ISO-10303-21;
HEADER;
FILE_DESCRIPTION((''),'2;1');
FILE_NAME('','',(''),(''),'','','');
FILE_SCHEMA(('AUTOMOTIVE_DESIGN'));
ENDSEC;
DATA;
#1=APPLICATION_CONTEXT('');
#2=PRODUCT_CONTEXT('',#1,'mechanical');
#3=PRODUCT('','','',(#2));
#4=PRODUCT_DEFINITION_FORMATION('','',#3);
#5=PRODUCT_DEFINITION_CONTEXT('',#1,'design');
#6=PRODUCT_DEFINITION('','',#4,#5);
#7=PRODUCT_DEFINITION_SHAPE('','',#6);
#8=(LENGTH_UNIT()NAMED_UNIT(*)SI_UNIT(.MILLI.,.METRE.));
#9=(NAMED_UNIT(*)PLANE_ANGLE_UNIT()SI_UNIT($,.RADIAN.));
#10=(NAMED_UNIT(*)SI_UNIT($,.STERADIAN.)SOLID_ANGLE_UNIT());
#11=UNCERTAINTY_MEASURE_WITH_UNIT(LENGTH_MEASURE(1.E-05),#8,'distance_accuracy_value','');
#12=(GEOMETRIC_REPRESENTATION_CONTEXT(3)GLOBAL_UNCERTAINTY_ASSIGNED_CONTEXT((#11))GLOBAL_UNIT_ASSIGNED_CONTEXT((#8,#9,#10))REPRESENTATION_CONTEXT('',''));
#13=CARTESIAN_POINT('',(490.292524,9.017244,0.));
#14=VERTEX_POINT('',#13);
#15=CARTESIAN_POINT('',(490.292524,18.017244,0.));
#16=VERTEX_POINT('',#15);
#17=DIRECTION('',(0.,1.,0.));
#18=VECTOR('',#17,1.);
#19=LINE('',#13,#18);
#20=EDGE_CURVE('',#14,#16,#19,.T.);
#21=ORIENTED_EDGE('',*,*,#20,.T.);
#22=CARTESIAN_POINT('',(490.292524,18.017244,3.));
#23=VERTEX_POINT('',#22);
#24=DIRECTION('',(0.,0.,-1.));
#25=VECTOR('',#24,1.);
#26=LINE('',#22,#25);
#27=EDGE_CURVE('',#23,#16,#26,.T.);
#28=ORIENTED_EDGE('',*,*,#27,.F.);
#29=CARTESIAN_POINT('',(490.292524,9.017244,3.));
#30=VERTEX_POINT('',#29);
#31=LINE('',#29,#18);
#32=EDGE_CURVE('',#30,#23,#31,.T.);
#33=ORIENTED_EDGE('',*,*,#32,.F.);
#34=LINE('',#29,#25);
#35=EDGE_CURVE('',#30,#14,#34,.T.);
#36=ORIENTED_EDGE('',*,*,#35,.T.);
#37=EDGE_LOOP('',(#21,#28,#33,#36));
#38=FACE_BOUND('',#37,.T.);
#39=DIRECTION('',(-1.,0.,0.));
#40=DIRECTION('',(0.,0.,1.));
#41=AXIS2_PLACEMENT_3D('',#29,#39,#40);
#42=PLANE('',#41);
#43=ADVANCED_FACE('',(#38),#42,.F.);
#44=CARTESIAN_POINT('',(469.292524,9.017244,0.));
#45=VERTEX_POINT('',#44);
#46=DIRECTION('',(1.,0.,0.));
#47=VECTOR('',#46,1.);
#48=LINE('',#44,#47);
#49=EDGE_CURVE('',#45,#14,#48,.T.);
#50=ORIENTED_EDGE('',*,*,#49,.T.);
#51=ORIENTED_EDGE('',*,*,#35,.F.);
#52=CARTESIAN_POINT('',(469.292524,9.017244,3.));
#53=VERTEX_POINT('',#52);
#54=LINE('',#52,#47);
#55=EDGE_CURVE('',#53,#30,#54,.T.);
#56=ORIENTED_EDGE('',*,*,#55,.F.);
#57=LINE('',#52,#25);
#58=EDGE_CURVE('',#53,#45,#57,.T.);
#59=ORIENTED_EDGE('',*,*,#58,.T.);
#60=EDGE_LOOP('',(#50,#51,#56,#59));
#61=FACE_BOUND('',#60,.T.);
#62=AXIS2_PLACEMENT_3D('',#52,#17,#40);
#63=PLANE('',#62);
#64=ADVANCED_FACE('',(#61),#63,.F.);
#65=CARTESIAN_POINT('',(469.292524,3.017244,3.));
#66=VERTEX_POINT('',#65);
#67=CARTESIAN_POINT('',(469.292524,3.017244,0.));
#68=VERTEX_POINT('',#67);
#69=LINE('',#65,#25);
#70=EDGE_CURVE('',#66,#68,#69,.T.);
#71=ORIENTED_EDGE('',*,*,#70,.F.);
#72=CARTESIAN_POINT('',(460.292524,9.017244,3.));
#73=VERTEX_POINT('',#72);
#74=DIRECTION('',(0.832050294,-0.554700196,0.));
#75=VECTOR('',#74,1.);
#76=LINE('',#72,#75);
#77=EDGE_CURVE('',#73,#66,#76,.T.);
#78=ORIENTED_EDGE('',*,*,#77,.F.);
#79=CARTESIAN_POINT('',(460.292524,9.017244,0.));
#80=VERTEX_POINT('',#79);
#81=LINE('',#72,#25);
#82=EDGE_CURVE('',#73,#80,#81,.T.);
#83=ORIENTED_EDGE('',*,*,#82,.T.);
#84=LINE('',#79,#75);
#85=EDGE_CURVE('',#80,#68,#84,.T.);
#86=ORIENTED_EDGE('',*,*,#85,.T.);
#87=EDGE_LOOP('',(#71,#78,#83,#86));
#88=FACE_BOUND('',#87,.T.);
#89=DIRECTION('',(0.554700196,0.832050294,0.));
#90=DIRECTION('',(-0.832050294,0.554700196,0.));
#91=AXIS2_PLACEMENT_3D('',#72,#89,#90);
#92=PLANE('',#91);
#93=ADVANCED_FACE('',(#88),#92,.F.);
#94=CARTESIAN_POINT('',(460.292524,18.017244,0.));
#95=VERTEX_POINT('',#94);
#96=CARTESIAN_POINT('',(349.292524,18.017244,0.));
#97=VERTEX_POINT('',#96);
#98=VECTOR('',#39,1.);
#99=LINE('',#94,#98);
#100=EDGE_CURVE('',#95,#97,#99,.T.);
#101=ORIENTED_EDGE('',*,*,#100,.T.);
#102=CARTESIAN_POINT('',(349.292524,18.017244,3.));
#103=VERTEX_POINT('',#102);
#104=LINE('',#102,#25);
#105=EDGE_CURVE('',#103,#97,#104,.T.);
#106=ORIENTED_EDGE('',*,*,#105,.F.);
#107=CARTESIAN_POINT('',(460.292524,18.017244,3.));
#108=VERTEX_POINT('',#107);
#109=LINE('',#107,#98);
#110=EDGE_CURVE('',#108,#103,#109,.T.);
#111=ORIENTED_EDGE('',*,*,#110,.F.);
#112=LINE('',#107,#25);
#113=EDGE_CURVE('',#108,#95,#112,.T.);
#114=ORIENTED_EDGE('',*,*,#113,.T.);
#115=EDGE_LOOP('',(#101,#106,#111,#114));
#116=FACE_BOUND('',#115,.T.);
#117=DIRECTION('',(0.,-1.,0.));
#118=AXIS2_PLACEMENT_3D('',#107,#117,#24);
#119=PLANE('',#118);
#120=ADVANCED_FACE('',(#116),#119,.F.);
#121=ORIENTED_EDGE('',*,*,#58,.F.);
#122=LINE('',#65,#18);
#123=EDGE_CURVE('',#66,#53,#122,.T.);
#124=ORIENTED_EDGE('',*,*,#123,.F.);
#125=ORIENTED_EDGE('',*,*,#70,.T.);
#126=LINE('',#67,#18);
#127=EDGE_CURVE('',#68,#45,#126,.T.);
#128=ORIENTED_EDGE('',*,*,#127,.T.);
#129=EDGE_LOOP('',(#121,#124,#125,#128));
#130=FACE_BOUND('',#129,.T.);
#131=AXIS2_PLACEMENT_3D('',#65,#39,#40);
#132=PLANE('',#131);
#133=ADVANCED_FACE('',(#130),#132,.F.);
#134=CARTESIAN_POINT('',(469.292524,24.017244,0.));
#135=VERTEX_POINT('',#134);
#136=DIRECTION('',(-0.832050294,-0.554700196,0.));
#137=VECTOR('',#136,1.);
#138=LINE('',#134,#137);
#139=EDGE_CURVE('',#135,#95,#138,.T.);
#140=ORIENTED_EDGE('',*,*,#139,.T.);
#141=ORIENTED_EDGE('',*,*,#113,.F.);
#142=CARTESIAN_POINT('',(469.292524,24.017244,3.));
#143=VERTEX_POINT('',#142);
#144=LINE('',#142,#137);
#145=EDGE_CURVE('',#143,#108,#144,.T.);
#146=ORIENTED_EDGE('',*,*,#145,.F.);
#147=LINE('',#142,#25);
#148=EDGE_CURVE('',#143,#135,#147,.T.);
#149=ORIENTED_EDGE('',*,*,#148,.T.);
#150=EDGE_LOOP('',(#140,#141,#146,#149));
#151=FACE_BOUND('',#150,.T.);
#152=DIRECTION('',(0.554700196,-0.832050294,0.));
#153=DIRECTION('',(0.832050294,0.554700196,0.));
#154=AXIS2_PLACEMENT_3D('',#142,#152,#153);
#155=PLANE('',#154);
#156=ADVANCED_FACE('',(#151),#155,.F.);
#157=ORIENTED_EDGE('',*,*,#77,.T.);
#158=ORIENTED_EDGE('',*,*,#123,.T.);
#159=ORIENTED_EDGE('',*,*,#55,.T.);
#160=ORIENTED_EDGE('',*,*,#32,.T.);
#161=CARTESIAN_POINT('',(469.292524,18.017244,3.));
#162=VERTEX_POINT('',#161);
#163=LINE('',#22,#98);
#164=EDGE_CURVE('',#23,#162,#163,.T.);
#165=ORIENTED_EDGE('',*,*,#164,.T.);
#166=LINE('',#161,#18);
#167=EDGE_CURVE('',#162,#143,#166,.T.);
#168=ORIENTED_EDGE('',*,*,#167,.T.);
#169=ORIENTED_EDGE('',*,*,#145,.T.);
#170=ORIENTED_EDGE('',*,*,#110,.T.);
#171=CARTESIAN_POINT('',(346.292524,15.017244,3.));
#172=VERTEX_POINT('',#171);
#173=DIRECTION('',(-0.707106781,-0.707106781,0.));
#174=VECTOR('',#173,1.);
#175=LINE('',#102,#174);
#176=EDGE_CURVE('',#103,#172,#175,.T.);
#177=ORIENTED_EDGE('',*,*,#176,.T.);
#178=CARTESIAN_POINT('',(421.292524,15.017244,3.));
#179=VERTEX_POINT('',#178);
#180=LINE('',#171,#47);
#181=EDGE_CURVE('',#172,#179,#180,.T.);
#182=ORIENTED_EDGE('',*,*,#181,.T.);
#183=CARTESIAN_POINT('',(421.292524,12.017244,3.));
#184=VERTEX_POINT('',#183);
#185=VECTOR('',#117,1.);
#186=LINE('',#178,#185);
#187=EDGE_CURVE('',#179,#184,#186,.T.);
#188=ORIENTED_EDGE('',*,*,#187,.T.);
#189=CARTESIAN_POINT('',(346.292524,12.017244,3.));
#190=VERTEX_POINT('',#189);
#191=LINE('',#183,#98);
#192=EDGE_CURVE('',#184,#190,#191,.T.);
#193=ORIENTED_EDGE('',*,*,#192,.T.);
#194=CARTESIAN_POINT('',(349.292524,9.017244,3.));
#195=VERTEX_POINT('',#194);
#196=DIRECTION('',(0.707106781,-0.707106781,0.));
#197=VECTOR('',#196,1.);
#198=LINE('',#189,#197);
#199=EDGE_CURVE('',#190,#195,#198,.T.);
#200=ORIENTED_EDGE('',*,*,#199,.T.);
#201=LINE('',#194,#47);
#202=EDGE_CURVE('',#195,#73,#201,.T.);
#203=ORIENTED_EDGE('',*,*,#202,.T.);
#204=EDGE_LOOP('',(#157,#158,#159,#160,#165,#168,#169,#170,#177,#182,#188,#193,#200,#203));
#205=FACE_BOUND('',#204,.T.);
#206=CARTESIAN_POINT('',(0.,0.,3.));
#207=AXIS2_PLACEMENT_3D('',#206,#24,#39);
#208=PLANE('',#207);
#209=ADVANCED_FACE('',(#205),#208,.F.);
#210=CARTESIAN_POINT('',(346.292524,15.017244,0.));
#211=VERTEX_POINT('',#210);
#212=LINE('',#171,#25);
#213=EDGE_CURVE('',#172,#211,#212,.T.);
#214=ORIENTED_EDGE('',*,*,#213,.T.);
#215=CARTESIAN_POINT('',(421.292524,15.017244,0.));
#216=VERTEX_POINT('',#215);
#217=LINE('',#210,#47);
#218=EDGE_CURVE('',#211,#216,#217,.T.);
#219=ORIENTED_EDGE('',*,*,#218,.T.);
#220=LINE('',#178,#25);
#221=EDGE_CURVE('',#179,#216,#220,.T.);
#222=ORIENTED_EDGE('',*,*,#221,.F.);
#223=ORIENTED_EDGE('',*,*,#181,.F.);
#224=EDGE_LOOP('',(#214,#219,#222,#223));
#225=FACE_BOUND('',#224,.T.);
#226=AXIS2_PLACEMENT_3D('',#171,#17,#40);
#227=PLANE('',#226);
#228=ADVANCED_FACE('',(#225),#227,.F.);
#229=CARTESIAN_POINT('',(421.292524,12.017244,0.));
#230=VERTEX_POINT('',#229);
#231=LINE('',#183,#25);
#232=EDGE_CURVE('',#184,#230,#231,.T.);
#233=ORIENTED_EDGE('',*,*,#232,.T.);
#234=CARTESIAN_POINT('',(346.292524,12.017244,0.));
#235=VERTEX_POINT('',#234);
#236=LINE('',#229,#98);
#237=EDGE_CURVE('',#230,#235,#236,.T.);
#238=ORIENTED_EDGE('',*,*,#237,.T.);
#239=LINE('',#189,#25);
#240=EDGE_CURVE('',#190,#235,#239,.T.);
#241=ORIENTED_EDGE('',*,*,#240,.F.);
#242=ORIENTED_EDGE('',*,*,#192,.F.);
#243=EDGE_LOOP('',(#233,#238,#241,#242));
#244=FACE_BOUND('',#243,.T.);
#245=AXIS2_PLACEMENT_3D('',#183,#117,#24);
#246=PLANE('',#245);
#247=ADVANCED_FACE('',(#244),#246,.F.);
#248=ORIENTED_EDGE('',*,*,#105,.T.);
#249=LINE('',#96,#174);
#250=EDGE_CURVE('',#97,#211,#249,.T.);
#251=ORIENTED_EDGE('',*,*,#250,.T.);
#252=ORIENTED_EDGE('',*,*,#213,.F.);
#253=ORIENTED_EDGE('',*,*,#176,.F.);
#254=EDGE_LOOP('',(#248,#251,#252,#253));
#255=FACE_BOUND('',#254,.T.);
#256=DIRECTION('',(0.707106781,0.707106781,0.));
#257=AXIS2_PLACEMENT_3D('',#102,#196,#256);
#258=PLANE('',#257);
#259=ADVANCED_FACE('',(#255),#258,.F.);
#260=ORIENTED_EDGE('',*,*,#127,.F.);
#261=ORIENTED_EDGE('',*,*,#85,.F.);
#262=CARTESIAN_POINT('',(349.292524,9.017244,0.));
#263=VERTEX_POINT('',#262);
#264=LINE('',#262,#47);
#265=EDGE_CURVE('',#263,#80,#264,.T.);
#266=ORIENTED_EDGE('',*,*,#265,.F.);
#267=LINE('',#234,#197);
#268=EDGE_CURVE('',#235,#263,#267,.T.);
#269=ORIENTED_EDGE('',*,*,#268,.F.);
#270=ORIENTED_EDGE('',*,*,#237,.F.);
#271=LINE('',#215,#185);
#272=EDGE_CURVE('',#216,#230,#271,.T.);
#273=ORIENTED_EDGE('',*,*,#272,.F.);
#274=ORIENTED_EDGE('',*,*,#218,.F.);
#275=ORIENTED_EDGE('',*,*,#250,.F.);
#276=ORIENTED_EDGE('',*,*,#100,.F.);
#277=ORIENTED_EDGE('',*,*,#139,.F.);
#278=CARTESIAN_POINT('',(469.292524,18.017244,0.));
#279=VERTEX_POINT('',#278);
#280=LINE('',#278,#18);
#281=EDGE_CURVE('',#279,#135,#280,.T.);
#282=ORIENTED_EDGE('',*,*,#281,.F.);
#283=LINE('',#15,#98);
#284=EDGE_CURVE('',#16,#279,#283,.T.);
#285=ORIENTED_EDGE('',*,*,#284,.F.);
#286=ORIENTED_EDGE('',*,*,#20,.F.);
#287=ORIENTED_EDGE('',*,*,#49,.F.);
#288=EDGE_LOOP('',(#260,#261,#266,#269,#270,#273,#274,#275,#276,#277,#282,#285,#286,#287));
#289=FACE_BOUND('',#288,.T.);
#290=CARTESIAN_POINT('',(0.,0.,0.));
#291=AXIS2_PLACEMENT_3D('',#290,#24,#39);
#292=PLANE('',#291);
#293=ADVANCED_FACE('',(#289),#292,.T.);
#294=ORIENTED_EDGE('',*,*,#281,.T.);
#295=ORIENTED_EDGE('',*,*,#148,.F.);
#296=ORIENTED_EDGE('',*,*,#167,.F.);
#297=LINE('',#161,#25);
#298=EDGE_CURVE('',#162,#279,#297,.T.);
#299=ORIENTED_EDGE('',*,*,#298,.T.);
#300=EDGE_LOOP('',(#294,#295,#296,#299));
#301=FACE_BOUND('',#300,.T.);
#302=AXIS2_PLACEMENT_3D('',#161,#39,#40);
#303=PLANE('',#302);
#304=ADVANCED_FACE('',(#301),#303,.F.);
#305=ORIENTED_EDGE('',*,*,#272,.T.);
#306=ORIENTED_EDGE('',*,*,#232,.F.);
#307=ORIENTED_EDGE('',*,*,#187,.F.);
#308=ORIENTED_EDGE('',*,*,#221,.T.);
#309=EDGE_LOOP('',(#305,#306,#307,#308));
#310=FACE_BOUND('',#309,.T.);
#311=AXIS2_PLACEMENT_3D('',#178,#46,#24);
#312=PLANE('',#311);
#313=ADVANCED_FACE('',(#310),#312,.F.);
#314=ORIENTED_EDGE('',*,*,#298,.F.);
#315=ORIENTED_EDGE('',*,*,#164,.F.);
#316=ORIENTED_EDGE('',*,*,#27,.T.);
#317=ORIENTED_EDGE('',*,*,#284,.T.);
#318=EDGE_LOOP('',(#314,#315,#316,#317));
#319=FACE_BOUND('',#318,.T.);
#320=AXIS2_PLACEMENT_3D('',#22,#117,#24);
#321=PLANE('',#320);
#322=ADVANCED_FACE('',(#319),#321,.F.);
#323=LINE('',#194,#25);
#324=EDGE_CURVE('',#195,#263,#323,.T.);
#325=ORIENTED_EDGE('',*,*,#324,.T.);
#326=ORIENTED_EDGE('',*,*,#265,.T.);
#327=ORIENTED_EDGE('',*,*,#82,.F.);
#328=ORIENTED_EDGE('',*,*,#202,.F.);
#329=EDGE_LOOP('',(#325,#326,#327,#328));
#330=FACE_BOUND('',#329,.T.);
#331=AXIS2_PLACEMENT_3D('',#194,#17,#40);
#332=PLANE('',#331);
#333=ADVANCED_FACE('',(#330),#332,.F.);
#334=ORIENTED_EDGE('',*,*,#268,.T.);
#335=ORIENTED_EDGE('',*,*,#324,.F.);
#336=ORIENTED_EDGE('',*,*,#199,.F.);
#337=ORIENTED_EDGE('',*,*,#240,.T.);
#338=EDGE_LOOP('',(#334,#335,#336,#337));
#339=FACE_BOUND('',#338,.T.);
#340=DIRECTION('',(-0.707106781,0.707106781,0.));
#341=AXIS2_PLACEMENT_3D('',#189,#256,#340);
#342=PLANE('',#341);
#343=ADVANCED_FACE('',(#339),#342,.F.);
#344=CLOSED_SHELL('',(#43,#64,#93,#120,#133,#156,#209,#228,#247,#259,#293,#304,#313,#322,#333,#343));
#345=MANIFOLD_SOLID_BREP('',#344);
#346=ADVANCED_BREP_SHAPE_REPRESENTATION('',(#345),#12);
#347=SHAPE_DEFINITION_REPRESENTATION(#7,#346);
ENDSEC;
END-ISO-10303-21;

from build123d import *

# Parameters (mm, degrees)
BOSS_EXTRUDE1_DEPTH = 3


with BuildPart() as part:
    # Sketch1 → Boss-Extrude1 (new body)
    with BuildSketch(Plane.XY):
        Polygon((421.29252351, 15.017244097), (421.29252351, 12.017244097), (346.29252351, 12.017244097), (349.29252351, 9.017244097), (460.29252351, 9.017244097), (469.29252351, 3.017244097), (469.29252351, 9.017244097), (490.29252351, 9.017244097), (490.29252351, 18.017244097), (469.29252351, 18.017244097), (469.29252351, 24.017244097), (460.29252351, 18.017244097), (349.29252351, 18.017244097), (346.29252351, 15.017244097), align=None)
    extrude(amount=BOSS_EXTRUDE1_DEPTH)


solid = part.part
